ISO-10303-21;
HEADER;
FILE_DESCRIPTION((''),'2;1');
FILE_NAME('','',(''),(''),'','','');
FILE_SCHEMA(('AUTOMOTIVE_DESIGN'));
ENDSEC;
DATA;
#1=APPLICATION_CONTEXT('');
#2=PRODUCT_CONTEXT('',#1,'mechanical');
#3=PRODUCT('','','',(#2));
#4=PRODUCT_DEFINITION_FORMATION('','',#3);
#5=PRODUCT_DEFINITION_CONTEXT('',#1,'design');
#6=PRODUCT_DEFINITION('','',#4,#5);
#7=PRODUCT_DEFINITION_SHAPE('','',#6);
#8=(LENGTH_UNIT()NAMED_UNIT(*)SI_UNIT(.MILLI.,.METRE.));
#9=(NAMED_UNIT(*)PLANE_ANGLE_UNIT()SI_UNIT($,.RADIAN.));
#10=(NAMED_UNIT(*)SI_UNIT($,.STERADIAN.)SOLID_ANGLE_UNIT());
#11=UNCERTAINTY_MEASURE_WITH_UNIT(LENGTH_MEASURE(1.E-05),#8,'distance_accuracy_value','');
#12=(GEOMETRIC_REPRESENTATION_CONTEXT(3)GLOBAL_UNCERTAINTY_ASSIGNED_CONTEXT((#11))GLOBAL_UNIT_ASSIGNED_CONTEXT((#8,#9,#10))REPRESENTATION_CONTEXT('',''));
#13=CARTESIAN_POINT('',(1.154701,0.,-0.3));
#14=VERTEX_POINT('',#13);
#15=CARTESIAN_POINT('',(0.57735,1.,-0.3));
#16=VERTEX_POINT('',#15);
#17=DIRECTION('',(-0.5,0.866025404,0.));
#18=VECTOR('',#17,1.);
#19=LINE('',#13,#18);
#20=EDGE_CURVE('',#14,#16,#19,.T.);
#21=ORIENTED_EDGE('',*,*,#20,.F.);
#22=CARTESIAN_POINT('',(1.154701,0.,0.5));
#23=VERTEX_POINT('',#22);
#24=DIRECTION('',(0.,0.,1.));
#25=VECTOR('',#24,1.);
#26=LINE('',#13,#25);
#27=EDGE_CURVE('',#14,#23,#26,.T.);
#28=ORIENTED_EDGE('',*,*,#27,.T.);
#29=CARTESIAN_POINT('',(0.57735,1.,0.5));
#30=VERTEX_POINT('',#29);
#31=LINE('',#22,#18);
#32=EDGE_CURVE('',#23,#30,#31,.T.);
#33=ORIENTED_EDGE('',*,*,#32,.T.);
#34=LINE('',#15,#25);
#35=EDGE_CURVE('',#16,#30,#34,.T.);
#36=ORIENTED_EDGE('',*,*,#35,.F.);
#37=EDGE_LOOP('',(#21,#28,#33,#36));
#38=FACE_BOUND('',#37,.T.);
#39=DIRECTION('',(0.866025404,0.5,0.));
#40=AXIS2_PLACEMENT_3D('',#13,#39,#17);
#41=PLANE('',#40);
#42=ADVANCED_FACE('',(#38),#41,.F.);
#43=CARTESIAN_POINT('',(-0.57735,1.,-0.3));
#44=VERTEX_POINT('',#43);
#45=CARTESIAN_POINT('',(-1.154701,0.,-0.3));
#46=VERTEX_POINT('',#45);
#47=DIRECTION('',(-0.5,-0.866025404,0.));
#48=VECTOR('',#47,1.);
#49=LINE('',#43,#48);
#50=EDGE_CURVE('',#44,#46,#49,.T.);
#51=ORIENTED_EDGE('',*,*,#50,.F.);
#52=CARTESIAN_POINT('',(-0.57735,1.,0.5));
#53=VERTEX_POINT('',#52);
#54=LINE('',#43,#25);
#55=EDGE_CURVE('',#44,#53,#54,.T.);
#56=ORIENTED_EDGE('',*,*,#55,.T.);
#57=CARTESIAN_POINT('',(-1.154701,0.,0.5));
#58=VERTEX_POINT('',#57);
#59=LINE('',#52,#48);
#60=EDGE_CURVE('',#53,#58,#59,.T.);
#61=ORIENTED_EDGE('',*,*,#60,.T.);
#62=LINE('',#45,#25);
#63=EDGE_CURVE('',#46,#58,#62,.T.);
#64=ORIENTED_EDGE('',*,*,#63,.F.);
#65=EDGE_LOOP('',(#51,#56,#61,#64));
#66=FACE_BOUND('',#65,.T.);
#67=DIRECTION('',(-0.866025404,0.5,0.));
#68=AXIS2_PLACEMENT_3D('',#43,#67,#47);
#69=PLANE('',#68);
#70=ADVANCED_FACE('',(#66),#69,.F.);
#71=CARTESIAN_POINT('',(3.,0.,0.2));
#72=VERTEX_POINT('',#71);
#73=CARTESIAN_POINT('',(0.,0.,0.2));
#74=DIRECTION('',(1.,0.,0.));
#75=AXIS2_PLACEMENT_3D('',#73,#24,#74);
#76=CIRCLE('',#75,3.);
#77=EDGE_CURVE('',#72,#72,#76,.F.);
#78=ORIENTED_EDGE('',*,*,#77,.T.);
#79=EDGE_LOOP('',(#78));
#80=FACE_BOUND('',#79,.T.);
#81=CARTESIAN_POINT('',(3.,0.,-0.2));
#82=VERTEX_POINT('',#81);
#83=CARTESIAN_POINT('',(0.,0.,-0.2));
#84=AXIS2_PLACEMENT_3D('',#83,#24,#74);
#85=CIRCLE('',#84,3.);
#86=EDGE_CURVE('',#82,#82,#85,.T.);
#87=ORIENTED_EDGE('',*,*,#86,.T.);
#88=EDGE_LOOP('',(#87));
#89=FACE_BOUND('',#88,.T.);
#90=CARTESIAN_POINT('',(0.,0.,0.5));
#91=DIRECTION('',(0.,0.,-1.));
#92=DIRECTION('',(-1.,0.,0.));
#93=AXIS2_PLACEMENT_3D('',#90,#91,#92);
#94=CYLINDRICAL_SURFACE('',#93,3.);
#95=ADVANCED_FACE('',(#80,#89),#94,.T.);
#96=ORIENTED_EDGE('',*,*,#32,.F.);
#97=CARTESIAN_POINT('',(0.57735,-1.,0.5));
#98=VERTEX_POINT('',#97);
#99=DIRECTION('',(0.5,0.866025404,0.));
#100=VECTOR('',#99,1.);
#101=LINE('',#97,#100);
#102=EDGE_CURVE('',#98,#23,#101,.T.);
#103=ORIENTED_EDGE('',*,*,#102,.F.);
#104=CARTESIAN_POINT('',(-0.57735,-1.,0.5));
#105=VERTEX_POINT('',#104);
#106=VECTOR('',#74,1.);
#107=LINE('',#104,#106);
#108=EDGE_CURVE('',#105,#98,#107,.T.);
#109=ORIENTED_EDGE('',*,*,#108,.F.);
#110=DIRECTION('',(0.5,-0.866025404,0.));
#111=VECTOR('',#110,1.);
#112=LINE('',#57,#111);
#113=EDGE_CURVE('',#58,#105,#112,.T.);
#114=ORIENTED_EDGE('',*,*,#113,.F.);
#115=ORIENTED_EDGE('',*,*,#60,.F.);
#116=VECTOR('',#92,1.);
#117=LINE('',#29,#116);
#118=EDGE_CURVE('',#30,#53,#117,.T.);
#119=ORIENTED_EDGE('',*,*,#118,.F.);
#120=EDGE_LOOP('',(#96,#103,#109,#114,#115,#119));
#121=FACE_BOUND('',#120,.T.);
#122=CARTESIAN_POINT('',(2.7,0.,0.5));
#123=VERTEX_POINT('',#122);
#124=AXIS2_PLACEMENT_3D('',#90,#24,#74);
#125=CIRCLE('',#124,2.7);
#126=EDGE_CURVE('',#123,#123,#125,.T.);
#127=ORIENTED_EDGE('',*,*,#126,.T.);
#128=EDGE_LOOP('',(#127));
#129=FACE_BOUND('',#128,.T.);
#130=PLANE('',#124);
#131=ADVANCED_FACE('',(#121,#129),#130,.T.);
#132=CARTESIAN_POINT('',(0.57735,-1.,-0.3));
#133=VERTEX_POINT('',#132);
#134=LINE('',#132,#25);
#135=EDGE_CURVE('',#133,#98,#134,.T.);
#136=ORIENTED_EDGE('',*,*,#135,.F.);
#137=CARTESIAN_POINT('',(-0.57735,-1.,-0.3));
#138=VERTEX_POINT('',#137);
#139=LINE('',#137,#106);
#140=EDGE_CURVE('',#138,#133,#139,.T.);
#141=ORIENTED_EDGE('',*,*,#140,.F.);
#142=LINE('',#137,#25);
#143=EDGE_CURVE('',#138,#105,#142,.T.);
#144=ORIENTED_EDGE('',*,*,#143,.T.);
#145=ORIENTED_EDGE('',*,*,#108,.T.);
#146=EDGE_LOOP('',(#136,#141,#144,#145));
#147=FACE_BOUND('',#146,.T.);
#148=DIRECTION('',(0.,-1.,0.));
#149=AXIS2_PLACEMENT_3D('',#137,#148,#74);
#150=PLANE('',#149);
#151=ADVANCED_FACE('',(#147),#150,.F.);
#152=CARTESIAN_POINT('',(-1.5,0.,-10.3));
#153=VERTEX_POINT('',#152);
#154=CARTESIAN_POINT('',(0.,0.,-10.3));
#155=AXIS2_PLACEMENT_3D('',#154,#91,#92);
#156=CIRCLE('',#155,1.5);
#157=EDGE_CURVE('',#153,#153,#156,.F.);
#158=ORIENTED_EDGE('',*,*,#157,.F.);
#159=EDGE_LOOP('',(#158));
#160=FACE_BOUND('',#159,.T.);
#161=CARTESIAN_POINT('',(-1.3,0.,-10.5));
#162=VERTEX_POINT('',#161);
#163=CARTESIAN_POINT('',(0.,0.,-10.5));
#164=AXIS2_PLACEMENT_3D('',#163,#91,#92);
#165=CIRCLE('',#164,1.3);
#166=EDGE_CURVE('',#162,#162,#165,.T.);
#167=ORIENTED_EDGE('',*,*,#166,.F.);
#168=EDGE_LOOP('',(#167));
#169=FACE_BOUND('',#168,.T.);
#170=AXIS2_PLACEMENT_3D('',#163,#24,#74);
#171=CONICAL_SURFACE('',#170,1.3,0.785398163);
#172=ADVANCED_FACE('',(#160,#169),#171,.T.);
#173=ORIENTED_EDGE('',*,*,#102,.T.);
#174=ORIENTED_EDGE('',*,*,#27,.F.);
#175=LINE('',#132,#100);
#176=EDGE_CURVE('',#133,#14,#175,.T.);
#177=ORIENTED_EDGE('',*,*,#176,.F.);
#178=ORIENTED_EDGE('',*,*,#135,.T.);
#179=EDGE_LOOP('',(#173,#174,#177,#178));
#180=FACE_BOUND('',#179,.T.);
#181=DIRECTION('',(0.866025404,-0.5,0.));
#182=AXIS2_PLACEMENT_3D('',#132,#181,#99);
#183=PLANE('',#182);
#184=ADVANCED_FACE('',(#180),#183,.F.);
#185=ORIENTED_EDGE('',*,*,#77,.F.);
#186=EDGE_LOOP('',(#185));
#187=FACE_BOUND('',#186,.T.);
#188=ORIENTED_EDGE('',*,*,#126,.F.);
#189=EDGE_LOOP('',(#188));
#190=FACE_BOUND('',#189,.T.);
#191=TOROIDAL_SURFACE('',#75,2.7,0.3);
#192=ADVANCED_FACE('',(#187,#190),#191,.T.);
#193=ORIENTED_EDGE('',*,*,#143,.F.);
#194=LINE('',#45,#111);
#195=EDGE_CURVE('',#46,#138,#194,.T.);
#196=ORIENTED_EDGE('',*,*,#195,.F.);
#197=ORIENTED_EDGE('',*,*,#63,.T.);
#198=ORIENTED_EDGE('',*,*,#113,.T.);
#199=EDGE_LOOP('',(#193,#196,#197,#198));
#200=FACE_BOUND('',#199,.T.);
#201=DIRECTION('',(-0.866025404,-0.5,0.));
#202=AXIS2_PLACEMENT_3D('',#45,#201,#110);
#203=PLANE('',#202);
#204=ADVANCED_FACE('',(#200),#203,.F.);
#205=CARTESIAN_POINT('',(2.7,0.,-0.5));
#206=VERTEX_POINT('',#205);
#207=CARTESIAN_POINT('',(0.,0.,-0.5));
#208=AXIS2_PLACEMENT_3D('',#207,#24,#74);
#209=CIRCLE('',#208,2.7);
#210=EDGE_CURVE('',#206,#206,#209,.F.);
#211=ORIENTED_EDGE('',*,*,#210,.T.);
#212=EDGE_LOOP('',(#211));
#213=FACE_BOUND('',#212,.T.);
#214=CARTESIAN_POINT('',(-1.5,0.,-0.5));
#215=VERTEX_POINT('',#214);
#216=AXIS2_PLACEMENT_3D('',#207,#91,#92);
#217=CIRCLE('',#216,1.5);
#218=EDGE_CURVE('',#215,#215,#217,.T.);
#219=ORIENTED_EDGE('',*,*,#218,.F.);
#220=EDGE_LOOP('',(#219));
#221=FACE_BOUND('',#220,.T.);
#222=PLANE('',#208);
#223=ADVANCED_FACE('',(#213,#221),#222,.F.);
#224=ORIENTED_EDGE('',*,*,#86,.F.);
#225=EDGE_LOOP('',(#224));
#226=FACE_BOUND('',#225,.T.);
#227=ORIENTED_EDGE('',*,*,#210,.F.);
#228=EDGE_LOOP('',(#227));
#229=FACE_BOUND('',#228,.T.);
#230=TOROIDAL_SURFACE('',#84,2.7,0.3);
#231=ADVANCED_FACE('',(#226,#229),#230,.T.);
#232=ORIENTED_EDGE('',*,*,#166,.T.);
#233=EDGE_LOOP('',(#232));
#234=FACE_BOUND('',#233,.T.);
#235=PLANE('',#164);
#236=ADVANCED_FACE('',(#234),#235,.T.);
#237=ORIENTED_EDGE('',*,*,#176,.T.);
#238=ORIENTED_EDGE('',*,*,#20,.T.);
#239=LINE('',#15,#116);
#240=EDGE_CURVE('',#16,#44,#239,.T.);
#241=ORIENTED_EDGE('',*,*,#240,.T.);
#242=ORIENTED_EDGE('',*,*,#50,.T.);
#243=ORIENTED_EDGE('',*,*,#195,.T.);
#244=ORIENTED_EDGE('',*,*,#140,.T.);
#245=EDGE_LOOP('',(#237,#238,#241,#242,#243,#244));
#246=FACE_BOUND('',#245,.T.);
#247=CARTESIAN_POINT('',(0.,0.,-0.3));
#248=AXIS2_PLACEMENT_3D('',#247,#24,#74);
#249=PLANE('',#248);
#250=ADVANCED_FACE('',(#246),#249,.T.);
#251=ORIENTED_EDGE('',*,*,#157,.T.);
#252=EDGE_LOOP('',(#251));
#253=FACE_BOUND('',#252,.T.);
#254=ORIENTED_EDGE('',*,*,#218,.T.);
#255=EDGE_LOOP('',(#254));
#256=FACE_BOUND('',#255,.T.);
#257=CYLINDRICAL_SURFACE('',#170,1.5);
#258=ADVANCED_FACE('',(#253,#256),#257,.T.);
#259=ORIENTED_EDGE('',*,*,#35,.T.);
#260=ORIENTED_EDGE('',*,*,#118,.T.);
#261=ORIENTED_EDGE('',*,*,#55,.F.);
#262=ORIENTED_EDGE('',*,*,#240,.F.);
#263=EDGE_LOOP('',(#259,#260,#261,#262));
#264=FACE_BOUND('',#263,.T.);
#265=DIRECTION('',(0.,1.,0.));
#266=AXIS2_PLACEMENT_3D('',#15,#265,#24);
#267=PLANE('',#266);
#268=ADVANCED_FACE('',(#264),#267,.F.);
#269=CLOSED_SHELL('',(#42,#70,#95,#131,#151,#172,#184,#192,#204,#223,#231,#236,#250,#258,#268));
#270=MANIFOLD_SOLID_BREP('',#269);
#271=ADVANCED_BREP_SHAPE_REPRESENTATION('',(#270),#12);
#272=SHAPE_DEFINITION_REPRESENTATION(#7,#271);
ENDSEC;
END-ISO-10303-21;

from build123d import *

# Parameters (mm, degrees)
SKETCH_1_R          = 3
EXTRUDE_1_DEPTH     = 0.5
SKETCH_2_R          = 1.5
EXTRUDE_2_DEPTH     = 10
CHAMFER_1_SIZE      = 0.2
CUT_EXTRUDE_1_DEPTH = 0.8
FILLET_2_R          = 0.3


with BuildPart() as part:
    # 草图1 → 凸台-拉伸1 (new, symmetric)
    with BuildSketch(Plane.XY):
        Circle(SKETCH_1_R)
    extrude(amount=EXTRUDE_1_DEPTH, both=True)

    # 草图2 → 凸台-拉伸2 (add)
    with BuildSketch(Plane(origin=(0, 0, -0.5), x_dir=(-1, 0, 0), z_dir=(0, 0, -1))):
        Circle(SKETCH_2_R)
    extrude(amount=EXTRUDE_2_DEPTH)

    # 倒角1
    chamfer_1_edges = [part.edges().sort_by_distance(p)[0] for p in [
        (1.5, 0, -10.5),
    ]]
    chamfer(chamfer_1_edges, length=CHAMFER_1_SIZE)

    # 草图3 → 切除-拉伸1 (cut)
    with BuildSketch(Plane.XY.offset(0.5)):
        Polygon((1.154700538, 0), (0.577350269, 1), (-0.577350269, 1), (-1.154700538, 0), (-0.577350269, -1), (0.577350269, -1), align=None)
    extrude(amount=-CUT_EXTRUDE_1_DEPTH, mode=Mode.SUBTRACT)

    # 圆角2
    fillet_2_edges = [part.edges().sort_by_distance(p)[0] for p in [
        (-3, 0, -0.5),
        (-3, 0, 0.5),
    ]]
    fillet(fillet_2_edges, radius=FILLET_2_R)


solid = part.part
